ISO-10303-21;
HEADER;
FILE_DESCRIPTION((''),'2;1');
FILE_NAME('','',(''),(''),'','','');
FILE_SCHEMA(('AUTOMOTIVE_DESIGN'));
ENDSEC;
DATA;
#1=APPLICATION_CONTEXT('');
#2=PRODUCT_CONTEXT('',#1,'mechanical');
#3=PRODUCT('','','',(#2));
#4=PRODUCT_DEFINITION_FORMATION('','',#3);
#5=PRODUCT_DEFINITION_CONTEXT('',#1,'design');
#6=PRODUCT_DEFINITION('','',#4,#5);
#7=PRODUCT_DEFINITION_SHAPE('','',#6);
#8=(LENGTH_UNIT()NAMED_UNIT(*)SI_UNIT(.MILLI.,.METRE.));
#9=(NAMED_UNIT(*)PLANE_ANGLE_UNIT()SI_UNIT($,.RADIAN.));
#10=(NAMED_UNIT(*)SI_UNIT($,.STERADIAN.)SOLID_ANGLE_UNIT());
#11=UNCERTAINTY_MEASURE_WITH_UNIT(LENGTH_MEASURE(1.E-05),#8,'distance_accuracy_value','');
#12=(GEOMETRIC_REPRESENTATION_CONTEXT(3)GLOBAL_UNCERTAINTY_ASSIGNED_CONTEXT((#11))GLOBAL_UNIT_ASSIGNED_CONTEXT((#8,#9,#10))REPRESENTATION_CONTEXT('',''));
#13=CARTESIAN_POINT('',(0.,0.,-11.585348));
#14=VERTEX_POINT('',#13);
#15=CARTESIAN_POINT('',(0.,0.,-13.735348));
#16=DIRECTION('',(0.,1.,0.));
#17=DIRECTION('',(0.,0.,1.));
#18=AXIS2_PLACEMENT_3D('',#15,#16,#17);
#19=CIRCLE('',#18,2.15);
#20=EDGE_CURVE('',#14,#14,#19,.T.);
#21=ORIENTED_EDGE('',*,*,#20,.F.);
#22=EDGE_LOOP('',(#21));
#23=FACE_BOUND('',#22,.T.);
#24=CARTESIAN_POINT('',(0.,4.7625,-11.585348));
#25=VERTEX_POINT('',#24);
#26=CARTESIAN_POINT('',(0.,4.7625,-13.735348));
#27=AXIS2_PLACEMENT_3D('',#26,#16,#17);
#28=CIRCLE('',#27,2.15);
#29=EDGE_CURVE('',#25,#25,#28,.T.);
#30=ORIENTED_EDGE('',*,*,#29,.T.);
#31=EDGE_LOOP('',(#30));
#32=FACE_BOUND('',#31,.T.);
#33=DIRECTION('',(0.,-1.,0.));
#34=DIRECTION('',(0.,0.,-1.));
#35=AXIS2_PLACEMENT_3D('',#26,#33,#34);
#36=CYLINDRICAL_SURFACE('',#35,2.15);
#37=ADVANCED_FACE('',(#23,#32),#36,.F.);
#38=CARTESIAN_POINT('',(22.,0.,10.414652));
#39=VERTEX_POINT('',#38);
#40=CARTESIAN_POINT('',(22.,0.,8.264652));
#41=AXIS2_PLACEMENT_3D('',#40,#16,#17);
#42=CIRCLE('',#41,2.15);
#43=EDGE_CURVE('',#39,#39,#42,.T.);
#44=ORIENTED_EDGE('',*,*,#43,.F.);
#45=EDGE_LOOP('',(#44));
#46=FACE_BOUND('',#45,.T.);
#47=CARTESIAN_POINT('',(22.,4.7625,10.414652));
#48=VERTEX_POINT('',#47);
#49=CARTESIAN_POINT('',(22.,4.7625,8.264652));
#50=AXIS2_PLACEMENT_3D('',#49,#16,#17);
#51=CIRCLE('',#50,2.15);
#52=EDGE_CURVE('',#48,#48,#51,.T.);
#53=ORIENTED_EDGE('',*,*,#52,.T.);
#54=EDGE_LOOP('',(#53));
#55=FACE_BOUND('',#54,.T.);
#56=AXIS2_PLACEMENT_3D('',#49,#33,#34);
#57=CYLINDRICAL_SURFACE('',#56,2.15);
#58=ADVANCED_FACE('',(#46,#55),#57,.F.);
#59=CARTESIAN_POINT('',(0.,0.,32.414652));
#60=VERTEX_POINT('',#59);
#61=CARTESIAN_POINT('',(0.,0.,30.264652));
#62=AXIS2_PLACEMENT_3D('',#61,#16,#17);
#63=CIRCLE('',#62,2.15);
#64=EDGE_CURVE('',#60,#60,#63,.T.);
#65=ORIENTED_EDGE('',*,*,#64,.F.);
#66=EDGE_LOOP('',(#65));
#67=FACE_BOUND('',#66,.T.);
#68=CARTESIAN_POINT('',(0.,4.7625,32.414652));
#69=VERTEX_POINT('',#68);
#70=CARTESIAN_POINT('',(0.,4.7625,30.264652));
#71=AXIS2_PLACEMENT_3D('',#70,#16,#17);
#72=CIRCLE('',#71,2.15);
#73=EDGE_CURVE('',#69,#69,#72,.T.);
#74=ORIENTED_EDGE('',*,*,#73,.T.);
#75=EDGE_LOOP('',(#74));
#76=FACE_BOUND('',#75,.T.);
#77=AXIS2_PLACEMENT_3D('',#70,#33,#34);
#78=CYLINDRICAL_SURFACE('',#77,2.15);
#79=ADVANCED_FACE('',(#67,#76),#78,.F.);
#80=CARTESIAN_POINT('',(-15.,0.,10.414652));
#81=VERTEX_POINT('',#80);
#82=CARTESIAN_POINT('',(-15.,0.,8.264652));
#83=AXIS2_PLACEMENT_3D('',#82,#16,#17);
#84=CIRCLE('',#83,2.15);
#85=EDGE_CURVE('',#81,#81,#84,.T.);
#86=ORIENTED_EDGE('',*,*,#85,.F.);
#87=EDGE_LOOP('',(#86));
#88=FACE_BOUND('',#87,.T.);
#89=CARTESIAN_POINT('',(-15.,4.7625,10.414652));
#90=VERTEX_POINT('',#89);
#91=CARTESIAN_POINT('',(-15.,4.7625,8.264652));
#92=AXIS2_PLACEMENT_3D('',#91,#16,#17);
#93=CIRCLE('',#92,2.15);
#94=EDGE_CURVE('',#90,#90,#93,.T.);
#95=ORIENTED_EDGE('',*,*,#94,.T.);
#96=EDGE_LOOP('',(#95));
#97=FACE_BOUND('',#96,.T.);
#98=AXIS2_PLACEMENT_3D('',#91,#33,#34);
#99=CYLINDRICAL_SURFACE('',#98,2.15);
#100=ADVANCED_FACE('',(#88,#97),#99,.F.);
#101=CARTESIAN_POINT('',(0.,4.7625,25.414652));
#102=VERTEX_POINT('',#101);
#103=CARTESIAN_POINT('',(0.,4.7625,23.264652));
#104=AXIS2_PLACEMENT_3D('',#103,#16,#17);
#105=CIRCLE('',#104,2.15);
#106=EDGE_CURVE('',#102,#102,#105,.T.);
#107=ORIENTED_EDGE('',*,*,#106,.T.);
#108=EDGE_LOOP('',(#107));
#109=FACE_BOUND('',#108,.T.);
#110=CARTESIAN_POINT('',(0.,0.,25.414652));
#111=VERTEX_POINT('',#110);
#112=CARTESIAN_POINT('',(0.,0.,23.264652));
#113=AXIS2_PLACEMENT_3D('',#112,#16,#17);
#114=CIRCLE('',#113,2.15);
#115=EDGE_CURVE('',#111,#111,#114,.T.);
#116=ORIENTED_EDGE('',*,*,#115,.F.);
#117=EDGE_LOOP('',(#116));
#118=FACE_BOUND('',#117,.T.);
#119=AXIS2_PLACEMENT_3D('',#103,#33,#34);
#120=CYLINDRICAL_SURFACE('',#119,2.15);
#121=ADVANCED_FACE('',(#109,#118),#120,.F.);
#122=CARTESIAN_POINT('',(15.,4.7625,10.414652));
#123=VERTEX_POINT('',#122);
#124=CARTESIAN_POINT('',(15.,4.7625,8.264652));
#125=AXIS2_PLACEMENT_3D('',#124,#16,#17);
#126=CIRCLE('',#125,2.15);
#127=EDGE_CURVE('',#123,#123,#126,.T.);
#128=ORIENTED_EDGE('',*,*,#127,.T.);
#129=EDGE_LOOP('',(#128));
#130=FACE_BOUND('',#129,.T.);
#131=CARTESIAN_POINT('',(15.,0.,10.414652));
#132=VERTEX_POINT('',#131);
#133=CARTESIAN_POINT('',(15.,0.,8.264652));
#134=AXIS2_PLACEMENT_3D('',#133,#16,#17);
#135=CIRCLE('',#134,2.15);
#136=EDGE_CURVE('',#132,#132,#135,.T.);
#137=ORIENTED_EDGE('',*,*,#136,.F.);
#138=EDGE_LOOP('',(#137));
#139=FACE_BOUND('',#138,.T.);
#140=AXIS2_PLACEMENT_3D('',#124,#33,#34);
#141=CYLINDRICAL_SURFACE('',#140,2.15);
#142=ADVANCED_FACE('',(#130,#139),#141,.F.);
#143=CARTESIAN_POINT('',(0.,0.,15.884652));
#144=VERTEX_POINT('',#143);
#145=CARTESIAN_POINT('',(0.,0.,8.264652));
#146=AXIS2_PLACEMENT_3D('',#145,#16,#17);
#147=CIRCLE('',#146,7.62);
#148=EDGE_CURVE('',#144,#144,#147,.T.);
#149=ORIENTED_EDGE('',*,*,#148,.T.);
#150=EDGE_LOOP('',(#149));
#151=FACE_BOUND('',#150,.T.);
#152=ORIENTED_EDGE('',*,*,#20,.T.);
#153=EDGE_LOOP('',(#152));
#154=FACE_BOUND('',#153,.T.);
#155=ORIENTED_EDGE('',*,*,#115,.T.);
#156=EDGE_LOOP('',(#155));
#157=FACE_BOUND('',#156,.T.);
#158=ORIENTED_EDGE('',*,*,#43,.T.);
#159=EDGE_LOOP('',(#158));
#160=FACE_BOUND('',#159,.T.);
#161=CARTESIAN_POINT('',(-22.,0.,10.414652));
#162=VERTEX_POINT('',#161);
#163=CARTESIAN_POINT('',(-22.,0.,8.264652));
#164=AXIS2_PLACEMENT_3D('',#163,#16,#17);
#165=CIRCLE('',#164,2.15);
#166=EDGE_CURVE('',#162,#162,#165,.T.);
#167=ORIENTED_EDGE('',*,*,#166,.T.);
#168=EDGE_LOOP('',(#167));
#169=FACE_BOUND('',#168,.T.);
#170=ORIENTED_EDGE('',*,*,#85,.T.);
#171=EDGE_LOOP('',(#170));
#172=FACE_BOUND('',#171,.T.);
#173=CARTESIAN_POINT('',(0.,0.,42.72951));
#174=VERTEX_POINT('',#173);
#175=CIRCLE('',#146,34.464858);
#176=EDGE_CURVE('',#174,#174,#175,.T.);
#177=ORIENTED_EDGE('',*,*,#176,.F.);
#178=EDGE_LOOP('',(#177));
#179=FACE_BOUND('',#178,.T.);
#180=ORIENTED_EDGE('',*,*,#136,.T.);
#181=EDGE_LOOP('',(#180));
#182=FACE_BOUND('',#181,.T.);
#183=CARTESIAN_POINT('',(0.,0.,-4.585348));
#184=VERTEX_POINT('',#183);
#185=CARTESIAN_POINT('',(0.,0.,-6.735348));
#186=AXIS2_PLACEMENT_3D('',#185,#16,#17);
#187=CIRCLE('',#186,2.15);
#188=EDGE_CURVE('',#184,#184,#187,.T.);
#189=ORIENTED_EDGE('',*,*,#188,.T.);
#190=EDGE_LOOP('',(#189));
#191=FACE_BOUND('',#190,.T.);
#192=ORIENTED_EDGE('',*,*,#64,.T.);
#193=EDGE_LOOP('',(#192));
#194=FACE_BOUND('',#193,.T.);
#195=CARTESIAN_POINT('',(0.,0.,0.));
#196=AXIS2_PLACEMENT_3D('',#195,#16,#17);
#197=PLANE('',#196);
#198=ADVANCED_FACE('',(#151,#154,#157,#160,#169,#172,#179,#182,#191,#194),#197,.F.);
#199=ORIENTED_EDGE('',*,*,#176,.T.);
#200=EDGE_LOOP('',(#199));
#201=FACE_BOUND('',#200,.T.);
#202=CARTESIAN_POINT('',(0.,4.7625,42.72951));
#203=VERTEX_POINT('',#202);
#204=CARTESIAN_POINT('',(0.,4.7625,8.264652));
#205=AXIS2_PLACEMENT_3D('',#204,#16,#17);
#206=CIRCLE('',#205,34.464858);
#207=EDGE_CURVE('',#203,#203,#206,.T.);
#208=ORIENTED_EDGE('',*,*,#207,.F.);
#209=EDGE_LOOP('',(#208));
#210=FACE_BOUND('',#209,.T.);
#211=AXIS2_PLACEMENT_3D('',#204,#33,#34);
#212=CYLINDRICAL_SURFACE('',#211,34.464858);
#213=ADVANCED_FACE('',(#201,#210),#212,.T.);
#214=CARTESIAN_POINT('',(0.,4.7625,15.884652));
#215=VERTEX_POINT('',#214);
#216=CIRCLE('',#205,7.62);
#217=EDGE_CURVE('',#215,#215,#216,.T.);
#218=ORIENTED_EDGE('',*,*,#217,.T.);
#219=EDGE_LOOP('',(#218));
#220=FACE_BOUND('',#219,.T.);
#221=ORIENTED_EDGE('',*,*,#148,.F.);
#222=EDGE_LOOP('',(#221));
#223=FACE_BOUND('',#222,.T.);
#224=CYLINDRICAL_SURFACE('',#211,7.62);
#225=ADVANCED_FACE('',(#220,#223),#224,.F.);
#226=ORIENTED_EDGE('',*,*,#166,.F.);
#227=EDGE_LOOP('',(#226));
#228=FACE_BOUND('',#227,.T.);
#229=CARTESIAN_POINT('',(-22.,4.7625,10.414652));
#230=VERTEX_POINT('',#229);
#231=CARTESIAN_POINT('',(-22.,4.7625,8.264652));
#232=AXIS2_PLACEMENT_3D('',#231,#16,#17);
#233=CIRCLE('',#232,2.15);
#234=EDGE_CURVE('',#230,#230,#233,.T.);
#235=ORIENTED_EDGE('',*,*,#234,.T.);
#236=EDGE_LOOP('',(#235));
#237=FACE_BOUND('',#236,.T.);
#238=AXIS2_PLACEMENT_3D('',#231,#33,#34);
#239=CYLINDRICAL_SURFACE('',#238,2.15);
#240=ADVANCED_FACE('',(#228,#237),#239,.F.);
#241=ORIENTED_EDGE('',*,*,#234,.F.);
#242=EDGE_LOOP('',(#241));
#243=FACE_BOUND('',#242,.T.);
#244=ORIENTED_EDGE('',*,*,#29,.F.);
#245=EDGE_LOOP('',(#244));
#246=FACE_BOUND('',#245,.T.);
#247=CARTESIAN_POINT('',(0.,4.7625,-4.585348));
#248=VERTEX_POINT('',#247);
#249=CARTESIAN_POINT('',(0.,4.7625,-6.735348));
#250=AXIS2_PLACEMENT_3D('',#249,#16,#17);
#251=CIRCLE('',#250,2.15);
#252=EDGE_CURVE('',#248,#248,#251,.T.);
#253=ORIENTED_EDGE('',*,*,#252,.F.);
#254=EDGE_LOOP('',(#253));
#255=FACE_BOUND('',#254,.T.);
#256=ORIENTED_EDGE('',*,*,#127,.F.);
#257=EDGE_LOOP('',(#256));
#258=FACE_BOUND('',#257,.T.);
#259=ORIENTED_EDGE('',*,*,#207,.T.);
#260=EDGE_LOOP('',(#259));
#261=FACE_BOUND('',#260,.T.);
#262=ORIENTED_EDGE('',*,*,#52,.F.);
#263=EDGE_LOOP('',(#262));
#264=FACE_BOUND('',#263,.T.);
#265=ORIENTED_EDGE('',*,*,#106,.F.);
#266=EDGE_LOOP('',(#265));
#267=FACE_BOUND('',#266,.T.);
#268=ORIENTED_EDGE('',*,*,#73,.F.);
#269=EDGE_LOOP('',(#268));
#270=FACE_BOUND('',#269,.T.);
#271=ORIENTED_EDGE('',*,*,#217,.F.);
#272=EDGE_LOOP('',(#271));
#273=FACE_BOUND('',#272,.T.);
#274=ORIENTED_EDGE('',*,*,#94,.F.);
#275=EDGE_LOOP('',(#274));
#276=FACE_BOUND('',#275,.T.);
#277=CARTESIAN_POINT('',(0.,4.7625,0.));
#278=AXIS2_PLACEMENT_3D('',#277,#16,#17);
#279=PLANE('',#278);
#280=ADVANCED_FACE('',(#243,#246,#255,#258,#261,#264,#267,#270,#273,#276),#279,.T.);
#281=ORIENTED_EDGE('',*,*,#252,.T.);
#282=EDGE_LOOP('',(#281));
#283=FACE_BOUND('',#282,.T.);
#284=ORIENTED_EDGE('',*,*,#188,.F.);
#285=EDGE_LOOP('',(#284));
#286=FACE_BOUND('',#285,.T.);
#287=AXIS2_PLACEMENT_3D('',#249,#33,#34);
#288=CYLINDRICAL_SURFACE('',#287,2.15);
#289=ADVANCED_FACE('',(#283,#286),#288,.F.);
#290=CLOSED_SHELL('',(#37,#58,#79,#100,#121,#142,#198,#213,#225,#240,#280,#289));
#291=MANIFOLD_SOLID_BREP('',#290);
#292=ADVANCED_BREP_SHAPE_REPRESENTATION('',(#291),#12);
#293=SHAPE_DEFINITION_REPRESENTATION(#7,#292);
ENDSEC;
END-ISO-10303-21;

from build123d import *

# Parameters (mm, degrees)
SKETCH1_R           = 34.464858416
SKETCH1_R_2         = 2.15
SKETCH1_R_3         = 7.62
BOSS_EXTRUDE1_DEPTH = 4.7625


with BuildPart() as part:
    # Sketch1 → Boss-Extrude1 (new body)
    with BuildSketch(Plane(origin=(0, 0, 0), x_dir=(1, 0, 0), z_dir=(0, 1, 0))):
        with Locations((0, -8.264651725)):
            Circle(SKETCH1_R)
        with Locations((15, -8.264651725)):
            Circle(SKETCH1_R_2, mode=Mode.SUBTRACT)
        with Locations((22, -8.264651725)):
            Circle(SKETCH1_R_2, mode=Mode.SUBTRACT)
        with Locations((0, -23.264651725)):
            Circle(SKETCH1_R_2, mode=Mode.SUBTRACT)
        with Locations((0, -30.264651725)):
            Circle(SKETCH1_R_2, mode=Mode.SUBTRACT)
        with Locations((-15, -8.264651725)):
            Circle(SKETCH1_R_2, mode=Mode.SUBTRACT)
        with Locations((-22, -8.264651725)):
            Circle(SKETCH1_R_2, mode=Mode.SUBTRACT)
        with Locations((0, 6.735348275)):
            Circle(SKETCH1_R_2, mode=Mode.SUBTRACT)
        with Locations((0, 13.735348275)):
            Circle(SKETCH1_R_2, mode=Mode.SUBTRACT)
        with Locations((0, -8.264651725)):
            Circle(SKETCH1_R_3, mode=Mode.SUBTRACT)
    extrude(amount=BOSS_EXTRUDE1_DEPTH)


solid = part.part
